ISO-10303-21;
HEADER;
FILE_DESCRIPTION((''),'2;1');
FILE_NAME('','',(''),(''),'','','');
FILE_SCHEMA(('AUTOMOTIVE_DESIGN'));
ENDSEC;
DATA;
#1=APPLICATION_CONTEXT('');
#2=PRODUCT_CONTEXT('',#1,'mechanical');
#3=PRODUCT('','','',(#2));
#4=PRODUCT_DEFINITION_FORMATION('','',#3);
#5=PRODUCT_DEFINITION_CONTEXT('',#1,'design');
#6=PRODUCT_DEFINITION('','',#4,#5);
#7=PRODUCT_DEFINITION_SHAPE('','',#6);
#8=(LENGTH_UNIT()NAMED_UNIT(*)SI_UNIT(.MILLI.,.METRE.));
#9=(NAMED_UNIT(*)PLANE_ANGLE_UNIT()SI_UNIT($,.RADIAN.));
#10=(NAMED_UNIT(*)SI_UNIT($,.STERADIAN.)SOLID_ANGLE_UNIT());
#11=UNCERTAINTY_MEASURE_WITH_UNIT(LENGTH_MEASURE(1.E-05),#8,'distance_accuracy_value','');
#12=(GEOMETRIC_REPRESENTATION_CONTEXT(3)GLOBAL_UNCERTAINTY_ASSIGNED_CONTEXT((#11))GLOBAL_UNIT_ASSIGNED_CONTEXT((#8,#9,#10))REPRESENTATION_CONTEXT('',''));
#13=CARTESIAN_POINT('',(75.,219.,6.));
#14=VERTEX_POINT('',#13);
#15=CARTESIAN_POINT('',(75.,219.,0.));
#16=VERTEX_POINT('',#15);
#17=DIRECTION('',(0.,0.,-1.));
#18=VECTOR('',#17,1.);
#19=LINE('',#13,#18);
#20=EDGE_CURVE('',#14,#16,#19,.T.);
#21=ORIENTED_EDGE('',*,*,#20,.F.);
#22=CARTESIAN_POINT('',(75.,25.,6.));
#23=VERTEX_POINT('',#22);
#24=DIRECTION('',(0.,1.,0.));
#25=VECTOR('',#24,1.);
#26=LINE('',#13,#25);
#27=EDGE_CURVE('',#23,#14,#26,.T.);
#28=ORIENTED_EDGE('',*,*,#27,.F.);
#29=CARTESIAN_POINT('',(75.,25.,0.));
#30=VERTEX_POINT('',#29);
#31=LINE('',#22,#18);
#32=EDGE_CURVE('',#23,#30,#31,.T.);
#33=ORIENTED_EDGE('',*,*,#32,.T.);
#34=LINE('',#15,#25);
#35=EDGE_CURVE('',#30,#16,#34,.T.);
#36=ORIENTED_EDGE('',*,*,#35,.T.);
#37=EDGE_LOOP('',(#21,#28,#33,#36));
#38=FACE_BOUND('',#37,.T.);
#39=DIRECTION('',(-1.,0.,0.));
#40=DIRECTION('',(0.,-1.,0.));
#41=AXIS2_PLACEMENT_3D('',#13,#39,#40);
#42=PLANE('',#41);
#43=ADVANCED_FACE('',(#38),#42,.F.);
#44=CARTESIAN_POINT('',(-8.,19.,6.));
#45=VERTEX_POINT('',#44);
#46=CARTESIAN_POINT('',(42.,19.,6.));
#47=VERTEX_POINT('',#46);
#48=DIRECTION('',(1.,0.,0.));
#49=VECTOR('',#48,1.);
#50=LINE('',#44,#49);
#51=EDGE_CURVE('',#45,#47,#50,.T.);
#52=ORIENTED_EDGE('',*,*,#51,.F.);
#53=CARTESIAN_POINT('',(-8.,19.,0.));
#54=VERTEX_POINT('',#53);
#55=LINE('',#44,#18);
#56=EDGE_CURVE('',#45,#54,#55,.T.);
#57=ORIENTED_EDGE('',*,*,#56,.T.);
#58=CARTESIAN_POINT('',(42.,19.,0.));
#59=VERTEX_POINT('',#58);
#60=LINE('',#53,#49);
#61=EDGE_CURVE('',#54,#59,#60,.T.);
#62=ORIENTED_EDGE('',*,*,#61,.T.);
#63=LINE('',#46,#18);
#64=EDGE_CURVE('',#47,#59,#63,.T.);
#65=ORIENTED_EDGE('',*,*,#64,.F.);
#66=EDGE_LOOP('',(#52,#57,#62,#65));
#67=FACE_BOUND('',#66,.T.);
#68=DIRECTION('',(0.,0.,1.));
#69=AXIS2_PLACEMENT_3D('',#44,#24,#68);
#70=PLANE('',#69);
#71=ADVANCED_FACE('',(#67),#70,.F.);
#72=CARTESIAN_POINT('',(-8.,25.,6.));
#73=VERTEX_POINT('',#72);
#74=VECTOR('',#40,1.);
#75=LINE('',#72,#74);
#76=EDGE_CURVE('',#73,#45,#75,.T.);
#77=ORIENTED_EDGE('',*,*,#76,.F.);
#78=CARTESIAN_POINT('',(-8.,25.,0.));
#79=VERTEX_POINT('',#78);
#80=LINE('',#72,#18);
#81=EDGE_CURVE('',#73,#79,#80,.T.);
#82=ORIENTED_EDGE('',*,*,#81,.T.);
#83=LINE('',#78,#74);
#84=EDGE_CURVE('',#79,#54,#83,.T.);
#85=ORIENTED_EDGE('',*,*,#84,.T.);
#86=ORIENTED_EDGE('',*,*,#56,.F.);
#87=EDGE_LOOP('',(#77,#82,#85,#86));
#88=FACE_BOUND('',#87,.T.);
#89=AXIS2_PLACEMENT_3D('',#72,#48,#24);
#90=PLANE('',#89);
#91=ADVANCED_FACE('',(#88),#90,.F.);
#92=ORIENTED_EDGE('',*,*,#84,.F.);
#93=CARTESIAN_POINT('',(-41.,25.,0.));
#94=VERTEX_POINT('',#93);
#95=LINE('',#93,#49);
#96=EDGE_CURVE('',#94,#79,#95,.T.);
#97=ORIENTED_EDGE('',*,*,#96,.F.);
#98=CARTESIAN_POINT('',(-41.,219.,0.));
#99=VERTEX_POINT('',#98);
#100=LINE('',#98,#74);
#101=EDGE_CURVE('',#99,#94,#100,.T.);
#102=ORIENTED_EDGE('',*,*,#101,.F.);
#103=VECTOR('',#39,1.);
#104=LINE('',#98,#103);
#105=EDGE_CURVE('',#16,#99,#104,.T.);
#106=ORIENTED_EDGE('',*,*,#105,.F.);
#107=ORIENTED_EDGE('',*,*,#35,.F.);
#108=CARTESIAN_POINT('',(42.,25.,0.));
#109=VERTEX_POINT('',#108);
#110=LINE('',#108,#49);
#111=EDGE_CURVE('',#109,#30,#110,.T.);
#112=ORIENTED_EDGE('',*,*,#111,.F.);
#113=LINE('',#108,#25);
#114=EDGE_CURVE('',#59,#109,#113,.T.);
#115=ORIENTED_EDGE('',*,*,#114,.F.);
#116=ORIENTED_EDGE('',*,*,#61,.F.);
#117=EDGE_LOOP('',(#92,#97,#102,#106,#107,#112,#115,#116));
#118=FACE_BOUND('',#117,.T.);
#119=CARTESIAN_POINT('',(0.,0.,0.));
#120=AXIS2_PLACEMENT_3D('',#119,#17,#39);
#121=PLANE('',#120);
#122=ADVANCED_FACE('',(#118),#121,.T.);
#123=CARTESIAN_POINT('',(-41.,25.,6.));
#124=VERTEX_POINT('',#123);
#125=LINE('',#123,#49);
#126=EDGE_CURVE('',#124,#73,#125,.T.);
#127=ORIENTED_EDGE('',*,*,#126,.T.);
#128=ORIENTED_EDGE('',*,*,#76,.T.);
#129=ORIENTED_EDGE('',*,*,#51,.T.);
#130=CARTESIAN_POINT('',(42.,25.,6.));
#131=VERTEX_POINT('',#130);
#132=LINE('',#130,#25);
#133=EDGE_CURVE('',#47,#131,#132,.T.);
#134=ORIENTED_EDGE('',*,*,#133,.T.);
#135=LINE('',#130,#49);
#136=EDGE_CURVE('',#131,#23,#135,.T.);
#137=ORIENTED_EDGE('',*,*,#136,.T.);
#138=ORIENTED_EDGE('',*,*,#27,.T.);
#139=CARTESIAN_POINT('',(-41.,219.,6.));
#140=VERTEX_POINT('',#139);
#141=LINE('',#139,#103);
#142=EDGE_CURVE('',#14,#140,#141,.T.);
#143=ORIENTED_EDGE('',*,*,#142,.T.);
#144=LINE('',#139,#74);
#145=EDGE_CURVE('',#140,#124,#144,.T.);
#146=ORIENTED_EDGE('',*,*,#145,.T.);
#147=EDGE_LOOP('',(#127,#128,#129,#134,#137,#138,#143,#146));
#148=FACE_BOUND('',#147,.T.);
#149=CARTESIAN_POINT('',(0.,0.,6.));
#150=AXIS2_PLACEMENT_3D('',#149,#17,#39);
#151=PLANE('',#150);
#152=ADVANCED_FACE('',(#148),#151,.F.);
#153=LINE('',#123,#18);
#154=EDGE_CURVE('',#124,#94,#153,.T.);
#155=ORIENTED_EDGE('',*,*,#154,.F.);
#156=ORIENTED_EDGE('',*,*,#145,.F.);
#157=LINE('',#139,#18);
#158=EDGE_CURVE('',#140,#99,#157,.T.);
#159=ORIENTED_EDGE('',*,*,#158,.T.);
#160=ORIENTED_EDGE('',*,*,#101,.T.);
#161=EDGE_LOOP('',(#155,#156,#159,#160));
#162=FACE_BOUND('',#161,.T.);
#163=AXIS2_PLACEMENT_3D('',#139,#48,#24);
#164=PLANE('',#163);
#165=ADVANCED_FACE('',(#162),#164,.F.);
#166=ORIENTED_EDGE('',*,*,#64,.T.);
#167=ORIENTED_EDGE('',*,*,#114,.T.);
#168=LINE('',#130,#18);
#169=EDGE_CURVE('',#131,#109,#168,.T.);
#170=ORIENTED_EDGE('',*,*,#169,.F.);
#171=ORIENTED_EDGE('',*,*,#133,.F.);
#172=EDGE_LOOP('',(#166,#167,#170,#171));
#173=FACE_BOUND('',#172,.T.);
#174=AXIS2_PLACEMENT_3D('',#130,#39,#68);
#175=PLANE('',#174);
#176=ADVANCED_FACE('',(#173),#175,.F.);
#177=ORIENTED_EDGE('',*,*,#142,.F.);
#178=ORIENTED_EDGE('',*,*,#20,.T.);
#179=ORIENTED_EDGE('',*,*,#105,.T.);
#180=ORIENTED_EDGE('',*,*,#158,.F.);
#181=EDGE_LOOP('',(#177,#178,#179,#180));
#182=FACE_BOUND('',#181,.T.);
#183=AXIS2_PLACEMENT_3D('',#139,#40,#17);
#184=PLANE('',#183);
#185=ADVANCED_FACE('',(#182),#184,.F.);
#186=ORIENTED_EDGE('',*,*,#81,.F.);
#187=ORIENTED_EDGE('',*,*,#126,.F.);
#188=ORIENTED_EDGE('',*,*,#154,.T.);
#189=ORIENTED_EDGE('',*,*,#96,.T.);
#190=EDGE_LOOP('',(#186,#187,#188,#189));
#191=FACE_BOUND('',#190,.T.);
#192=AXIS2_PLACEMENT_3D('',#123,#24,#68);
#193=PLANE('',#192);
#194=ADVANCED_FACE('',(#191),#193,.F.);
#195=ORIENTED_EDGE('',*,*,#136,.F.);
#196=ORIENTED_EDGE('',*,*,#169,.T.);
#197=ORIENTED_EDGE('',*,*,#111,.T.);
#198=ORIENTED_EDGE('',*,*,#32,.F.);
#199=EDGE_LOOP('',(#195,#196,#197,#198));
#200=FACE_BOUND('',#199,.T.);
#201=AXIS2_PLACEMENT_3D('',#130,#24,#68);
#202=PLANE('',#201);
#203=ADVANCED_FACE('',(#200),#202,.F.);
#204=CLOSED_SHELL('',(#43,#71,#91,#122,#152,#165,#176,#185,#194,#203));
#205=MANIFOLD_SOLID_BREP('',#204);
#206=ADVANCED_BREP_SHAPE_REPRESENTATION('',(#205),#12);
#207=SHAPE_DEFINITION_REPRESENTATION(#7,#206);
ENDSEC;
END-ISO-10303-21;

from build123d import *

# Parameters (mm, degrees)
BOSS_EXTRUDE1_DEPTH = 6


with BuildPart() as part:
    # Sketch1 → Boss-Extrude1 (new body)
    with BuildSketch(Plane.XY):
        Polygon((-41, 219), (-41, 25), (-8, 25), (-8, 19), (42, 19), (42, 25), (75, 25), (75, 219), align=None)
    extrude(amount=BOSS_EXTRUDE1_DEPTH)


solid = part.part
